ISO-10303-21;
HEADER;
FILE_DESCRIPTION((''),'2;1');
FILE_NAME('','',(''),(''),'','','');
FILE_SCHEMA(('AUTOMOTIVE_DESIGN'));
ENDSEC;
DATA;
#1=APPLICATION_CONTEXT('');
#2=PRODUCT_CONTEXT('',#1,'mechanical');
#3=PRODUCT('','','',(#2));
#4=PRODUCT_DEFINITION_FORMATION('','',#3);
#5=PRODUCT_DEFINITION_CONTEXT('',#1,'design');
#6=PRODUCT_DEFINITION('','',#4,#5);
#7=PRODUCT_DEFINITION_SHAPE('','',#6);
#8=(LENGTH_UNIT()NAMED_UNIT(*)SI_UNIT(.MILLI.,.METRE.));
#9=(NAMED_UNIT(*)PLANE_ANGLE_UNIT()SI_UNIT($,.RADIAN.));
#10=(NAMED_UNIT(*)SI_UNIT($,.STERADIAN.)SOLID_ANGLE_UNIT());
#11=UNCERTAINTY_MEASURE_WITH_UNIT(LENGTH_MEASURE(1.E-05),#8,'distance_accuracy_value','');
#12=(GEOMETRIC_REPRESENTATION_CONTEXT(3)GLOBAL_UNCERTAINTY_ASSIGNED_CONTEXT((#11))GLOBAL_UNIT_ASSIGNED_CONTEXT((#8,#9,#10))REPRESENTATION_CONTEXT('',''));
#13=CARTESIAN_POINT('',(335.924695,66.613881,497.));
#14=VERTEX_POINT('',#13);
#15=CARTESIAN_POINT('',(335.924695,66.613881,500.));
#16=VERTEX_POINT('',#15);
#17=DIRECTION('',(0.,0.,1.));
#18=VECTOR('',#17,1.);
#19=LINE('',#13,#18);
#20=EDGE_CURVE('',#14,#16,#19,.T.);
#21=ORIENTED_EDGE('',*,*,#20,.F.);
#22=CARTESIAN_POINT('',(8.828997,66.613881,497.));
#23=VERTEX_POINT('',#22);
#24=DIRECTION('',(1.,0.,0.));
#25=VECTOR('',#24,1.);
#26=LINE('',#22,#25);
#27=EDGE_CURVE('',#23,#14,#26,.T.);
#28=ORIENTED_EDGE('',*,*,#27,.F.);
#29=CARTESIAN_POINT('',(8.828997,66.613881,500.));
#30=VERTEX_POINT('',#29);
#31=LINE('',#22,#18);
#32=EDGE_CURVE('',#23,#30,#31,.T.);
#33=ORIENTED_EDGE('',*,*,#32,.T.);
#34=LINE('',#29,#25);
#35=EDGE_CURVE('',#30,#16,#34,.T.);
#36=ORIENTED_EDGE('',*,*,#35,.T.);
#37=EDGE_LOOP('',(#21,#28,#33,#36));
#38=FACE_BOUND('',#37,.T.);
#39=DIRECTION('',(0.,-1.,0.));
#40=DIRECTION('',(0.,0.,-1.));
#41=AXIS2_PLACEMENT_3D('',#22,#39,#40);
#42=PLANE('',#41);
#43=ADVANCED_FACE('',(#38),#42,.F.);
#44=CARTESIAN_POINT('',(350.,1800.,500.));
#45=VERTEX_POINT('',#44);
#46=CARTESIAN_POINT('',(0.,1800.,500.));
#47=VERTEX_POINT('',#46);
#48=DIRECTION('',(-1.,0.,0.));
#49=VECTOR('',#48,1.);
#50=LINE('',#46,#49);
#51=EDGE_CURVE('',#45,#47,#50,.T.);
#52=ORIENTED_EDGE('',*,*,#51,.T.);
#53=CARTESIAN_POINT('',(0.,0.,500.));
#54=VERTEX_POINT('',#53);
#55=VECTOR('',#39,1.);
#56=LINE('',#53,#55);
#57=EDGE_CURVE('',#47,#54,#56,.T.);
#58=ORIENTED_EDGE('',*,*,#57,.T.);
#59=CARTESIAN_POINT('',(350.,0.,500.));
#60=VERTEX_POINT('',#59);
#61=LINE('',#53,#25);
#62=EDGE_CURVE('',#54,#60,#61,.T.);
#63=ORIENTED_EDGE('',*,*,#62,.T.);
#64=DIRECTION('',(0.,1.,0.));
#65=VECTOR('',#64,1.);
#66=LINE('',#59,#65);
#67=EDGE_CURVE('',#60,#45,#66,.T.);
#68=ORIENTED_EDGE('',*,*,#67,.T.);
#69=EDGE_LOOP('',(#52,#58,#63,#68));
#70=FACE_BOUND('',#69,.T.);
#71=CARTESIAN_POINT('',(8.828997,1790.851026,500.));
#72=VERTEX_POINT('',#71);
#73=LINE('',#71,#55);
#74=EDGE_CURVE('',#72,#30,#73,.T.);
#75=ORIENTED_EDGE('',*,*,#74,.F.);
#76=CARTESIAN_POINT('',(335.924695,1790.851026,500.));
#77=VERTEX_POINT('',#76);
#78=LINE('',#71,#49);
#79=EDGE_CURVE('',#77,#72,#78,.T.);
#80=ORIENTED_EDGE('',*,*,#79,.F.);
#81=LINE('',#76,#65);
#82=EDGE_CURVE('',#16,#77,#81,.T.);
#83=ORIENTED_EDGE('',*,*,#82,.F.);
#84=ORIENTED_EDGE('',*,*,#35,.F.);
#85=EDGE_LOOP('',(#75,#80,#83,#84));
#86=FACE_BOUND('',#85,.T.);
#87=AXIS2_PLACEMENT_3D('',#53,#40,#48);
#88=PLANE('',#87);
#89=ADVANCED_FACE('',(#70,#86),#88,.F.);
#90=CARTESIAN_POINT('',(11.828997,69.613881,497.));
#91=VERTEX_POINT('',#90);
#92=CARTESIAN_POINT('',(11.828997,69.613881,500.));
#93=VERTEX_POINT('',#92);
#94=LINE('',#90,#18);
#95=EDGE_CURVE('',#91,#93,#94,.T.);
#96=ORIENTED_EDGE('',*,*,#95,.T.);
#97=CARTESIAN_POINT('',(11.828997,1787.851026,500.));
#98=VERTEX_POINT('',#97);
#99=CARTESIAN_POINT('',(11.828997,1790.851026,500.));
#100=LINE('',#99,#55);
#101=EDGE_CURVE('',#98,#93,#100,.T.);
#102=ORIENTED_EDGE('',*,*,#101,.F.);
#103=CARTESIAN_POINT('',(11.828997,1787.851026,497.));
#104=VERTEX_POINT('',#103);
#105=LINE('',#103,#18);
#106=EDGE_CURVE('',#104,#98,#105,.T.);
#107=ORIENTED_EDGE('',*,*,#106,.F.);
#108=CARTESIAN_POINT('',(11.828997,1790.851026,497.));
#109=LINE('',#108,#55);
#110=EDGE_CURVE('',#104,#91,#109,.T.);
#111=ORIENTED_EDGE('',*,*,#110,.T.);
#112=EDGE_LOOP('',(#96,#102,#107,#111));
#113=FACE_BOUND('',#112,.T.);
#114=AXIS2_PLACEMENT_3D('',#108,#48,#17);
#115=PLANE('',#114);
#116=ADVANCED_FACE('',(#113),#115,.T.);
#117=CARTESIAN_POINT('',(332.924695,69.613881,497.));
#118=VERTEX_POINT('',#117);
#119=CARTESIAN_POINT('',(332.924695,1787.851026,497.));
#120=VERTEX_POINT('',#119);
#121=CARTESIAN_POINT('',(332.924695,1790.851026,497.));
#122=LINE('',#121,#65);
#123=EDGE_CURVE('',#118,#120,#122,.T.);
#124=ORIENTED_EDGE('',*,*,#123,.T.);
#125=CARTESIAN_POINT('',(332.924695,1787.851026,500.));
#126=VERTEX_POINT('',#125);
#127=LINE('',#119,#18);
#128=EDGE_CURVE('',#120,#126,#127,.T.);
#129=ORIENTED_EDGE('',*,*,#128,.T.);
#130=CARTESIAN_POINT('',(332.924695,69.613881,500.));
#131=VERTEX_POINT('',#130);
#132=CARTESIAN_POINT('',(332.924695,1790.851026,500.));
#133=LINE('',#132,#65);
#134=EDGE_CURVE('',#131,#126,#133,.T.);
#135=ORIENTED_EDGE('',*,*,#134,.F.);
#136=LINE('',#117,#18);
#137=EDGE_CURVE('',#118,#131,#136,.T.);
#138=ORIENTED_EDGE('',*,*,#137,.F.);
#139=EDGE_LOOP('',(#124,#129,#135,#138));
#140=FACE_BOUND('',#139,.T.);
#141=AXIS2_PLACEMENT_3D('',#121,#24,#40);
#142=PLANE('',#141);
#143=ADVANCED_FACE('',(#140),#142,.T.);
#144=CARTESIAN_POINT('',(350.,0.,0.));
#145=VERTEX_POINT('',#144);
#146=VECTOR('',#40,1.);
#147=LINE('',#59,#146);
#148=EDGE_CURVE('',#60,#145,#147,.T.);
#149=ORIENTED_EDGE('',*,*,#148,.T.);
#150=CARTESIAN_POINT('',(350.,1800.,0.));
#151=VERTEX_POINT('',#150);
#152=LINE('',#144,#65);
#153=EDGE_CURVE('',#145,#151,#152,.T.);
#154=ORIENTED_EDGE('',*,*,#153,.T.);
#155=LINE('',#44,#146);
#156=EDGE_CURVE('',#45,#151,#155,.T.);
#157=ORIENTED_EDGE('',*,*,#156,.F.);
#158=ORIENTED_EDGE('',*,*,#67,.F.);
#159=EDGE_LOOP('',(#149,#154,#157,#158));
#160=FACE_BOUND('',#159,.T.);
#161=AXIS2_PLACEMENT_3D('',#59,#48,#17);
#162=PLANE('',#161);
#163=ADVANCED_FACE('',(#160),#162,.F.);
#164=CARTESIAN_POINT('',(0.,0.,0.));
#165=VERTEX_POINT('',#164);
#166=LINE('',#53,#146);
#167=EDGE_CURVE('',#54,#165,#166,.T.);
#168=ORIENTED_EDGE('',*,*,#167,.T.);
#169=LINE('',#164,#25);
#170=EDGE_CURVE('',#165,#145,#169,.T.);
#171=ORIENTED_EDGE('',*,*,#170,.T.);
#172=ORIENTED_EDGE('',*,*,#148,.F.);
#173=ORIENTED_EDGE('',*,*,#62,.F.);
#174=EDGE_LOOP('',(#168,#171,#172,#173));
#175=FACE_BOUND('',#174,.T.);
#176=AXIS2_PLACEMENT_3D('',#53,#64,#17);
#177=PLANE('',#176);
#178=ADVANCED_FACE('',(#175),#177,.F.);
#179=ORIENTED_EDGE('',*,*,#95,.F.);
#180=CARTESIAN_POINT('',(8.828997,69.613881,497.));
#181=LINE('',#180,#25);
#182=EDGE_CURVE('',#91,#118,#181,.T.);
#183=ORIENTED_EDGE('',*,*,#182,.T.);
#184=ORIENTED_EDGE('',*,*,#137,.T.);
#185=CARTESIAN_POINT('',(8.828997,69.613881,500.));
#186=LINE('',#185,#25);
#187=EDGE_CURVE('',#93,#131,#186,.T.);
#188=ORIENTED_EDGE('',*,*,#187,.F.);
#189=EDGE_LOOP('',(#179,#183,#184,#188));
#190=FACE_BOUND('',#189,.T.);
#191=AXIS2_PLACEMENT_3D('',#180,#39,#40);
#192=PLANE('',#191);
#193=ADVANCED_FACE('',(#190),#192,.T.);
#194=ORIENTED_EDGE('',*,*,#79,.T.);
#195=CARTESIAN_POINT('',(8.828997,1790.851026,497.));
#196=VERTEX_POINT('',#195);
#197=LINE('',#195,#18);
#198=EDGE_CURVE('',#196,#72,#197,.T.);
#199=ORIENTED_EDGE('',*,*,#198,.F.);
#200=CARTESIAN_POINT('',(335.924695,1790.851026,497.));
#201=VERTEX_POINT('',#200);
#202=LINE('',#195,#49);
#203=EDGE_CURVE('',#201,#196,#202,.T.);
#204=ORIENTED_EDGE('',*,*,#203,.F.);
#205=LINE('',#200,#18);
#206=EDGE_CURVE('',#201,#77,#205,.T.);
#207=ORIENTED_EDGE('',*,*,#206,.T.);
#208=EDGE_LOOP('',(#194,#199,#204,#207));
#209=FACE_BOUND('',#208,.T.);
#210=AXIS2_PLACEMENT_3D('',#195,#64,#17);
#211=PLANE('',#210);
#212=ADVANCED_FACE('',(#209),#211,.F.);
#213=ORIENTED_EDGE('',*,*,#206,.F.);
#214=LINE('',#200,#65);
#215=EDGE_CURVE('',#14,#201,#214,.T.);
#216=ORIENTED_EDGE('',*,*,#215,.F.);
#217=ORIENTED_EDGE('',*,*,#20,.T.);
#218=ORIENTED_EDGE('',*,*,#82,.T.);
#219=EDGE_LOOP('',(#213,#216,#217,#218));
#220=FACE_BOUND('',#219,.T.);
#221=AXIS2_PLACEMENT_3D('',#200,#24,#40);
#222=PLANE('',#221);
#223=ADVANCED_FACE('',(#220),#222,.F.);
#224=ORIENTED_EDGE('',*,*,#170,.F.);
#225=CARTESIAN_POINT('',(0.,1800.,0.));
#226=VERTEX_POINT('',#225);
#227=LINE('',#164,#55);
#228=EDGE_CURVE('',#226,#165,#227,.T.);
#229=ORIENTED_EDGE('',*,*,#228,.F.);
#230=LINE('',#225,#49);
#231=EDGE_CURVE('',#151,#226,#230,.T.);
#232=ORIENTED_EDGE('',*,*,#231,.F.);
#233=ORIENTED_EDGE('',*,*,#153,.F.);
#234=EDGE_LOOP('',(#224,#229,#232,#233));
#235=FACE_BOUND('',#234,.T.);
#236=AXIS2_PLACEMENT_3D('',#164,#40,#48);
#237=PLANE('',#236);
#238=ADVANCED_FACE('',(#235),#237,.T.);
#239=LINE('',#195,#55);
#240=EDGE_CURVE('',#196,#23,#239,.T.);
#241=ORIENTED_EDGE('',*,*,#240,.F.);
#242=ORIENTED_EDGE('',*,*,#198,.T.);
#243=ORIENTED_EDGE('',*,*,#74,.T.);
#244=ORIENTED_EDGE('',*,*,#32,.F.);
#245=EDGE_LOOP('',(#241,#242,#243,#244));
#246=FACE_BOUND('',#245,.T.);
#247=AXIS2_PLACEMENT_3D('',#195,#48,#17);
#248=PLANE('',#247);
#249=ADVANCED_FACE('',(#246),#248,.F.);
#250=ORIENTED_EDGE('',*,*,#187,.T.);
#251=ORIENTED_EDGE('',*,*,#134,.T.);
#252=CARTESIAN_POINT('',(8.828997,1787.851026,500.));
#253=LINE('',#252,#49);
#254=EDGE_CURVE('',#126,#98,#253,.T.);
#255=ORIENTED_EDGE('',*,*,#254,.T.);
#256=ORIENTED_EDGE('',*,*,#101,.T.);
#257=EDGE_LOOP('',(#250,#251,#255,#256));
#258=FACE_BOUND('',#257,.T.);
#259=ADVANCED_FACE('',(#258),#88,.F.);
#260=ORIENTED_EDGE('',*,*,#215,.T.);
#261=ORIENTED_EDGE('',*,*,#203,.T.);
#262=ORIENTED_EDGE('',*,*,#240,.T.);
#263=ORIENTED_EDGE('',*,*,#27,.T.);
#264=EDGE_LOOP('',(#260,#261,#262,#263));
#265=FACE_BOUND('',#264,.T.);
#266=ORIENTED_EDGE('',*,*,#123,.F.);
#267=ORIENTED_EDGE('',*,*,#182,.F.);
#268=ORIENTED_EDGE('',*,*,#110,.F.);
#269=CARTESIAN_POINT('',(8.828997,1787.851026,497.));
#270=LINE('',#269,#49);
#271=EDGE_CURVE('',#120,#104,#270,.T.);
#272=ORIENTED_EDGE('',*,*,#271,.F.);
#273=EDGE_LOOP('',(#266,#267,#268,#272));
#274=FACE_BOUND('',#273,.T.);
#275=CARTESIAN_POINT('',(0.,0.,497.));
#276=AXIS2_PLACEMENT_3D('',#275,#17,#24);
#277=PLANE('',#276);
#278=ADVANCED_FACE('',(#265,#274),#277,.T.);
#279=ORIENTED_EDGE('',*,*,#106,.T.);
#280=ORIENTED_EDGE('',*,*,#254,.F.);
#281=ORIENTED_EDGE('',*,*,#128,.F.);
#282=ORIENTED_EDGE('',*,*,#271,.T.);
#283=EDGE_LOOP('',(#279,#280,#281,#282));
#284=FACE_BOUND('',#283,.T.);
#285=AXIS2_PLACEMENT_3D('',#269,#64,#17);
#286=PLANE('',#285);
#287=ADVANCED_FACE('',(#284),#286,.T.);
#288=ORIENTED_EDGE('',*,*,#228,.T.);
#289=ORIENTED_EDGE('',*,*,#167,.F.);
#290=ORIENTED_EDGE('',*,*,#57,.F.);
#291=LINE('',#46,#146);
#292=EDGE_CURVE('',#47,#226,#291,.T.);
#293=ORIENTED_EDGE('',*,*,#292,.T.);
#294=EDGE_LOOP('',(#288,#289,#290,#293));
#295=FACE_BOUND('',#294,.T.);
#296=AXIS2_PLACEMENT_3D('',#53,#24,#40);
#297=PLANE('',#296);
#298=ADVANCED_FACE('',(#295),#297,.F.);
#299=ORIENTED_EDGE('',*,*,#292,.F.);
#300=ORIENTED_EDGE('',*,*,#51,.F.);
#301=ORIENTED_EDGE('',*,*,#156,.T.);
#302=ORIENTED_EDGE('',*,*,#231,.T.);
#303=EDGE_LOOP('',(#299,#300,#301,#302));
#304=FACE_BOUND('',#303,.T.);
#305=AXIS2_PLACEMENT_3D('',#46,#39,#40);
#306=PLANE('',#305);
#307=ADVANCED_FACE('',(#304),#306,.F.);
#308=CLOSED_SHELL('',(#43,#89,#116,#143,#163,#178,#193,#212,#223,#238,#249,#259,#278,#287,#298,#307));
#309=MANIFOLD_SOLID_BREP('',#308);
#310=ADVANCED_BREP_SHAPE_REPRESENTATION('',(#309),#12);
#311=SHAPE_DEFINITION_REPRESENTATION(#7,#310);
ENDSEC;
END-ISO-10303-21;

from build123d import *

# Parameters (mm, degrees)
SKETCH1_W               = 350
SKETCH1_H               = 1800
BOSS_EXTRUDE1_DEPTH     = 500
SKETCH2_W               = 327.095698038
SKETCH2_H               = 1724.237144731
SKETCH2_W_2             = 321.095698038
SKETCH2_H_2             = 1718.237144731
CUT_EXTRUDE_THIN1_DEPTH = 3


with BuildPart() as part:
    # Sketch1 → Boss-Extrude1 (new body)
    with BuildSketch(Plane.XY):
        with Locations((175, 900)):
            Rectangle(SKETCH1_W, SKETCH1_H)
    extrude(amount=BOSS_EXTRUDE1_DEPTH)

    # Sketch2 → Cut-Extrude-Thin1 (cut)
    with BuildSketch(Plane.XY.offset(500)):
        with Locations((172.376845805, 928.732453694)):
            Rectangle(SKETCH2_W, SKETCH2_H)
        with Locations((172.376845805, 928.732453694)):
            Rectangle(SKETCH2_W_2, SKETCH2_H_2, mode=Mode.SUBTRACT)
    extrude(amount=-CUT_EXTRUDE_THIN1_DEPTH, mode=Mode.SUBTRACT)


solid = part.part
